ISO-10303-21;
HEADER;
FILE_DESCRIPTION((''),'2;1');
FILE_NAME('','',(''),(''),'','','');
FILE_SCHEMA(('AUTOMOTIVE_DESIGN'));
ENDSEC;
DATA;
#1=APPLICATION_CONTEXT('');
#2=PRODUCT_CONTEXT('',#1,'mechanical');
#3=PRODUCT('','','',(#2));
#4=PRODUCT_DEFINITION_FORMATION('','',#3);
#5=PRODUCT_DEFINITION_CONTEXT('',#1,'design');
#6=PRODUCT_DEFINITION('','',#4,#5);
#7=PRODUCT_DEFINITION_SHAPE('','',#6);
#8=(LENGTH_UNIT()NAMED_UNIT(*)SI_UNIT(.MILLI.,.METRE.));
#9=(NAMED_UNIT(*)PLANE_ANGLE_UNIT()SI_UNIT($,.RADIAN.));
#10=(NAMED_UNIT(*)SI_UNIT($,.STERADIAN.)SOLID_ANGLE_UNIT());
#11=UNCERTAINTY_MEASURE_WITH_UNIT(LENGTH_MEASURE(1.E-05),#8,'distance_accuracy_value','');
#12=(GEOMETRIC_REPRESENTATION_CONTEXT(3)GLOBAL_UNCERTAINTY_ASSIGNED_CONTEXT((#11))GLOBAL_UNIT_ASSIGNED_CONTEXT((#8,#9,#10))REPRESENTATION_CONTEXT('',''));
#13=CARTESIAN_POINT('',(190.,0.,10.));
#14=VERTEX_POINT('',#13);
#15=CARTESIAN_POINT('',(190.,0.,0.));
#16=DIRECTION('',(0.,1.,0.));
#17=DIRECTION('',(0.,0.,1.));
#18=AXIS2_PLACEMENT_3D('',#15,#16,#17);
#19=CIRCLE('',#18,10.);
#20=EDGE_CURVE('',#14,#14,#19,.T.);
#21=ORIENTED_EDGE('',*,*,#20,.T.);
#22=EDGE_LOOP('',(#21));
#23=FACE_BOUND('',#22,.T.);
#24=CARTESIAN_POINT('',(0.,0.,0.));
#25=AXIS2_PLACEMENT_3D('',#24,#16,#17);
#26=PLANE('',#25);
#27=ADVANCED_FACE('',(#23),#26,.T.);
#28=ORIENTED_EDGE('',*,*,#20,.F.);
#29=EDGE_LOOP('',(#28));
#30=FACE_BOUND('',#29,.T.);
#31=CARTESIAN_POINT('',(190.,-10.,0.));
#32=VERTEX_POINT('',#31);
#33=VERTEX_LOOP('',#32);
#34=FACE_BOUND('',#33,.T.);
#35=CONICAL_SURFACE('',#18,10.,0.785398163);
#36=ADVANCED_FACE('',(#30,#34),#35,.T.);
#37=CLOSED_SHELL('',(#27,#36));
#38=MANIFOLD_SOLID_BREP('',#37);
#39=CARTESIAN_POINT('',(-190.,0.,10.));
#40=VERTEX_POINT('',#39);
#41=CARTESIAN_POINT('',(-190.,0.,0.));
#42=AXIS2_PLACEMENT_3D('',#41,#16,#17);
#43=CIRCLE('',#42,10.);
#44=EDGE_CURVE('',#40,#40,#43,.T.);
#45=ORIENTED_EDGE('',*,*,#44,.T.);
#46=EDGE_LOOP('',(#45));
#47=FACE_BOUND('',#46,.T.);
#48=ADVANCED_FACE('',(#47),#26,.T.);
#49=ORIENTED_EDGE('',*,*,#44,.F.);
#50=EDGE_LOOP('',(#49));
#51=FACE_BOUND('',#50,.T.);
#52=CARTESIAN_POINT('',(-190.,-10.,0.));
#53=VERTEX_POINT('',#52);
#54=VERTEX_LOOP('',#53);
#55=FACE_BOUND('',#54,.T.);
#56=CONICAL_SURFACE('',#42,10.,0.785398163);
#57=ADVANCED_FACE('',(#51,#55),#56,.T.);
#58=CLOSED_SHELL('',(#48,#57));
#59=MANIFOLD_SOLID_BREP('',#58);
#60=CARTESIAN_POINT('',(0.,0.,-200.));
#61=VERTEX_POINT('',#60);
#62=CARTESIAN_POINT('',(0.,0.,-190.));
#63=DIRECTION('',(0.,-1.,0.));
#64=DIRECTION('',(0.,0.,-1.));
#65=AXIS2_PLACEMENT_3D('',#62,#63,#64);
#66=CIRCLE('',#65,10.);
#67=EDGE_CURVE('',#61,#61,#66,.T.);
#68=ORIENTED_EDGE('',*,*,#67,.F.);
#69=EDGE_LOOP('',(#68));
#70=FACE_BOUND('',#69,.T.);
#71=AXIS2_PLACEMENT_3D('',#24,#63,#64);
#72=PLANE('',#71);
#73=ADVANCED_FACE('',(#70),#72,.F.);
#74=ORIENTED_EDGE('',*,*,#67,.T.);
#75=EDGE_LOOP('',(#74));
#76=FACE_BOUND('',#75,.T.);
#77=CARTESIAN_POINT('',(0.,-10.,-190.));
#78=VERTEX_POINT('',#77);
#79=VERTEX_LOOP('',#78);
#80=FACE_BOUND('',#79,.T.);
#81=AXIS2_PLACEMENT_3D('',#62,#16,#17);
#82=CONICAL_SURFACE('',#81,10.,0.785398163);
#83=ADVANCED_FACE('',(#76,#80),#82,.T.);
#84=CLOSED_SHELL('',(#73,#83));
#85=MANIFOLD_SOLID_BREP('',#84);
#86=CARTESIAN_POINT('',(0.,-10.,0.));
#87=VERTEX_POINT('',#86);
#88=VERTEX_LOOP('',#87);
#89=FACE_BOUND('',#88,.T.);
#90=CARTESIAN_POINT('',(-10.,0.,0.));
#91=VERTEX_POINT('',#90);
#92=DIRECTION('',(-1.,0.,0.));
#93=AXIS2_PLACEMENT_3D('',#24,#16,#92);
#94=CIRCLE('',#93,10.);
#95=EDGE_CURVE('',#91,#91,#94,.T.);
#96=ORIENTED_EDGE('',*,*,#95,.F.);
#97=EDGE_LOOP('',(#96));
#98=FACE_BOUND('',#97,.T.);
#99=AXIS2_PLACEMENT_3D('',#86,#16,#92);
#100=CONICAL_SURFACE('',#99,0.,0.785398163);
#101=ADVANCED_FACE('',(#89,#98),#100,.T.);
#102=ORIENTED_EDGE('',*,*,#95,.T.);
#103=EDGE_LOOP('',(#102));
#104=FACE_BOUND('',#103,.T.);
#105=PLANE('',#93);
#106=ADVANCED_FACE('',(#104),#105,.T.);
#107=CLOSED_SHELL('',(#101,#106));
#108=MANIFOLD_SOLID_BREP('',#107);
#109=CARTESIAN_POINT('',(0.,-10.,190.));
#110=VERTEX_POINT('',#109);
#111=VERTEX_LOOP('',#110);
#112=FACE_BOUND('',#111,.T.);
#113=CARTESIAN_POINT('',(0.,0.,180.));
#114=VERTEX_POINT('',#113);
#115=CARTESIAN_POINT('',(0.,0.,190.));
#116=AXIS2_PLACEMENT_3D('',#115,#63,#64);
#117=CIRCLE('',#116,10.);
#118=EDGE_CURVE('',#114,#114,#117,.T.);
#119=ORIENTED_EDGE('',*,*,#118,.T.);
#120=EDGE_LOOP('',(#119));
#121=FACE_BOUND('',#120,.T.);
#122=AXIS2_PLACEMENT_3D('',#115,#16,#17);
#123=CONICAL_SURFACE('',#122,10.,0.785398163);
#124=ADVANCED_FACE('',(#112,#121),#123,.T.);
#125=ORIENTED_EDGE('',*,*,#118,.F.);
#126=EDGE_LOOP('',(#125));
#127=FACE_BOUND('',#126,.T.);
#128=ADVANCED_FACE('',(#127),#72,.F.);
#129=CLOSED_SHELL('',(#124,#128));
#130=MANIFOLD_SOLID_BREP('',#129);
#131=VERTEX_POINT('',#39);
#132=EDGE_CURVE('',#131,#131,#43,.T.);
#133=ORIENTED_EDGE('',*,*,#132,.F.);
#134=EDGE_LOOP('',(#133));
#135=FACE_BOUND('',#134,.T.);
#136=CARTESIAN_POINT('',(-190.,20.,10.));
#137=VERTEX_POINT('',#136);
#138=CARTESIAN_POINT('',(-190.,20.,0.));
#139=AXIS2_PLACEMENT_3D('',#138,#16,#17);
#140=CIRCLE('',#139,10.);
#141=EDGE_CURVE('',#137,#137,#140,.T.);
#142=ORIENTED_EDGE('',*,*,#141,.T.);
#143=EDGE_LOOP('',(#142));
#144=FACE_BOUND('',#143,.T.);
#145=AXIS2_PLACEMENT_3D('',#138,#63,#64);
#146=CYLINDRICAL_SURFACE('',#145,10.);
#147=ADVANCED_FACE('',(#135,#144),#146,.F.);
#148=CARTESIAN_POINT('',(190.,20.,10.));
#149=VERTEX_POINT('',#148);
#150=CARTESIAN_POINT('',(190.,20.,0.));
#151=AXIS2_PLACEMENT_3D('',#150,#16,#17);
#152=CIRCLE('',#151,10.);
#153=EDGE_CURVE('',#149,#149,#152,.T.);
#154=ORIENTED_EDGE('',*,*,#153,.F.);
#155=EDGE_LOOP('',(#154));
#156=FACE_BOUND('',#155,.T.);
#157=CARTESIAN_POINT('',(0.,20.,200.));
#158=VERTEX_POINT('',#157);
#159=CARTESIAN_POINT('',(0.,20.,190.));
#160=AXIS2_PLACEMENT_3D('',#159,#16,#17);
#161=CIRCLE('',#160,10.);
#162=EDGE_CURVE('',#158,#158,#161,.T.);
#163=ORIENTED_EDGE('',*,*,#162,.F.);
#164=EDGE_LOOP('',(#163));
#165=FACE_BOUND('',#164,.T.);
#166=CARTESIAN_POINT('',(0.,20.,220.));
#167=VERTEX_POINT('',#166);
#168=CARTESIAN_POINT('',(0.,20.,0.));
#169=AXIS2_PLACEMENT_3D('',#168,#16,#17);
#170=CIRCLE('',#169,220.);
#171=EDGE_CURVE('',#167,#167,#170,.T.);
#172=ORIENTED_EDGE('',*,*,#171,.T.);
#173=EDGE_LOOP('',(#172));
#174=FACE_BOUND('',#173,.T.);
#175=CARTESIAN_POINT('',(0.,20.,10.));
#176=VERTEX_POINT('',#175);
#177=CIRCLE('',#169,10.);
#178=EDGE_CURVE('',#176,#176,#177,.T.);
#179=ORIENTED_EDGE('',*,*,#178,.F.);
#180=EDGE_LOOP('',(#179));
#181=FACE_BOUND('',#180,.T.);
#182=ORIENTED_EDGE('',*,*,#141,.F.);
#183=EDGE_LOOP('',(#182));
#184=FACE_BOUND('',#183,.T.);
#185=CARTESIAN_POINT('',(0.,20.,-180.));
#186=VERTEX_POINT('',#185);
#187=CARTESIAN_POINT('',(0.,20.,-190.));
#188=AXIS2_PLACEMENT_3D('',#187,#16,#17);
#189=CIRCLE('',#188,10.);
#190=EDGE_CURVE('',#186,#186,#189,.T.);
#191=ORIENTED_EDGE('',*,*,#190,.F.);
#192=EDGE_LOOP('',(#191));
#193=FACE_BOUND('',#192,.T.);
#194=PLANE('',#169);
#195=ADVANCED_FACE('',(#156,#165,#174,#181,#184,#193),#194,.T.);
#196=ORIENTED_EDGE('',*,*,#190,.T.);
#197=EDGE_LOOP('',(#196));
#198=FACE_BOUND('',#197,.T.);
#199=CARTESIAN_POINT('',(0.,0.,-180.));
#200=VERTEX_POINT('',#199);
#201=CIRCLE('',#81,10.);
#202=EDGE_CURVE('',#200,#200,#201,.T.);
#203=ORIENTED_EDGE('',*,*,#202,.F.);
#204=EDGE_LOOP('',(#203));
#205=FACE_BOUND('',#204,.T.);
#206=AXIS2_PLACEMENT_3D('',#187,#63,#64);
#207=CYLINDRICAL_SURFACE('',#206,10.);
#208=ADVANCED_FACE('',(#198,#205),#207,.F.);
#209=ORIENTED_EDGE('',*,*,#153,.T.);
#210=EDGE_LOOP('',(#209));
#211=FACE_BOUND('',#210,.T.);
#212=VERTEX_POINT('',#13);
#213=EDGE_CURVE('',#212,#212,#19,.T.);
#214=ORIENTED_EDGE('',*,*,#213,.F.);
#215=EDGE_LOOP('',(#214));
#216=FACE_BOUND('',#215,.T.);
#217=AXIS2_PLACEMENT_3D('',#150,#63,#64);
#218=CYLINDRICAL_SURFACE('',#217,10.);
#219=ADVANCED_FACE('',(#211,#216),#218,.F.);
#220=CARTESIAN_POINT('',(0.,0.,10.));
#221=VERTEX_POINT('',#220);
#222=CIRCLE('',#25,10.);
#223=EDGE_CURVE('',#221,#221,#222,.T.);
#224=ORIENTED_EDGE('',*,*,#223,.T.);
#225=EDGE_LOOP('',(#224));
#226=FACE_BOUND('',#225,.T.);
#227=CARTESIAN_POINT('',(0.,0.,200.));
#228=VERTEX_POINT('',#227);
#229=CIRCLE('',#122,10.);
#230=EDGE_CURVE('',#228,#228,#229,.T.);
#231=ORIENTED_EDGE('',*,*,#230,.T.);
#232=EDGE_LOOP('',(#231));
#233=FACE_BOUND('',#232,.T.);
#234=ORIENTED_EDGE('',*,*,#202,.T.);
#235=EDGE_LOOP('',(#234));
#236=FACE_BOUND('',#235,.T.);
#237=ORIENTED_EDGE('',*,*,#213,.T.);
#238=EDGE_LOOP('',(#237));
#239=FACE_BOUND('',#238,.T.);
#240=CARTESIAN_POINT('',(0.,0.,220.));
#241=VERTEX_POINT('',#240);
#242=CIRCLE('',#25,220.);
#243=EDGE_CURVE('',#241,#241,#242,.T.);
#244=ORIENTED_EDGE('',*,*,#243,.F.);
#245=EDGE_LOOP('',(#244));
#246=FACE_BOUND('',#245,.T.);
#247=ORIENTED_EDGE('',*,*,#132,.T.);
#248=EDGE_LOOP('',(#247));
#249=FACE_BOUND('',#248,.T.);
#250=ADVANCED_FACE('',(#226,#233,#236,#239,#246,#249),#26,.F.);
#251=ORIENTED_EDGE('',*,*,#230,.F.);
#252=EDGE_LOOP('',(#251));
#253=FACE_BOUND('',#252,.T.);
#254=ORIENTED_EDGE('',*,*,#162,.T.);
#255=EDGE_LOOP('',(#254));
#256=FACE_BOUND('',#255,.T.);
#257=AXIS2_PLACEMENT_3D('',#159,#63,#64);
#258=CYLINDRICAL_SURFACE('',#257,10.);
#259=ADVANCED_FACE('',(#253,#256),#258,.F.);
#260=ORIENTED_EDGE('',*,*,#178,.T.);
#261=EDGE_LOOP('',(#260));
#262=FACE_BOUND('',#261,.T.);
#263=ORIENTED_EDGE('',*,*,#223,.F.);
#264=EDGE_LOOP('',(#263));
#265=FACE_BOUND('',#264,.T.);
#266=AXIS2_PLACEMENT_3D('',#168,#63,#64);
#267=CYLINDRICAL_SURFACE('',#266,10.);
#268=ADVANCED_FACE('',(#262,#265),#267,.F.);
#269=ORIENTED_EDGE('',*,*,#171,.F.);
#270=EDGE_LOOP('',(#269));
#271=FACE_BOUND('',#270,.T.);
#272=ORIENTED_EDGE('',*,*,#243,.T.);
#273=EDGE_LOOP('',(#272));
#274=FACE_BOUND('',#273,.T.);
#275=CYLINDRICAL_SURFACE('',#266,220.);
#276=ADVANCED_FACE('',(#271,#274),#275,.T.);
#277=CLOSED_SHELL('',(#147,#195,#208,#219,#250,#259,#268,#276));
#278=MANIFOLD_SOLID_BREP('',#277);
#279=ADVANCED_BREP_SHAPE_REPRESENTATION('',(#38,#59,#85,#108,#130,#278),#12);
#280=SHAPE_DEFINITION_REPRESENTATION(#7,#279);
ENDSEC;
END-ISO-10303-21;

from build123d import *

# Parameters (mm, degrees)
SKETCH1_R           = 220
SKETCH1_R_2         = 10
BOSS_EXTRUDE1_DEPTH = 20


with BuildPart() as part:
    # Sketch1 → Boss-Extrude1 (new body)
    with BuildSketch(Plane(origin=(0, 0, 0), x_dir=(1, 0, 0), z_dir=(0, 1, 0))):
        Circle(SKETCH1_R)
        with Locations((0, 190)):
            Circle(SKETCH1_R_2, mode=Mode.SUBTRACT)
        with Locations((190, 0)):
            Circle(SKETCH1_R_2, mode=Mode.SUBTRACT)
        with Locations((0, -190)):
            Circle(SKETCH1_R_2, mode=Mode.SUBTRACT)
        with Locations((-190, 0)):
            Circle(SKETCH1_R_2, mode=Mode.SUBTRACT)
        Circle(SKETCH1_R_2, mode=Mode.SUBTRACT)
    extrude(amount=BOSS_EXTRUDE1_DEPTH)


with BuildPart() as body_2:
    # Sketch2 → Revolve2 (revolve)
    with BuildSketch(Plane.XY):
        Polygon((10, 0), (0, 0), (0, -10), align=None)
    revolve(axis=Axis((0, 0, 0), (0, -1, 0)))


with BuildPart() as body_3:
    # Sketch2<3> → Revolve3 (revolve)
    with BuildSketch(Plane.XY):
        Polygon((-190, -10), (-180, 0), (-190, 0), align=None)
    revolve(axis=Axis((-190, 0, 0), (0, -1, 0)))


with BuildPart() as body_4:
    # Sketch4 → Revolve4 (revolve)
    with BuildSketch(Plane(origin=(0, 0, 0), x_dir=(0, 0, -1), z_dir=(1, 0, 0))):
        Polygon((-190, -10), (-180, 0), (-190, 0), align=None)
    revolve(axis=Axis((0, -10, 190), (0, 1, 0)))


with BuildPart() as body_5:
    # Sketch2<4> → Revolve5 (revolve)
    with BuildSketch(Plane.XY):
        Polygon((190, -10), (190, 0), (180, 0), align=None)
    revolve(axis=Axis((190, 0, 0), (0, -1, 0)))


with BuildPart() as body_6:
    # Sketch4<3> → Revolve7 (revolve)
    with BuildSketch(Plane(origin=(0, 0, 0), x_dir=(0, 0, -1), z_dir=(1, 0, 0))):
        Polygon((180, 0), (190, -10), (190, 0), align=None)
    revolve(axis=Axis((0, -10, -190), (0, 1, 0)))


solid = Compound([part.part, body_2.part, body_3.part, body_4.part, body_5.part, body_6.part])
